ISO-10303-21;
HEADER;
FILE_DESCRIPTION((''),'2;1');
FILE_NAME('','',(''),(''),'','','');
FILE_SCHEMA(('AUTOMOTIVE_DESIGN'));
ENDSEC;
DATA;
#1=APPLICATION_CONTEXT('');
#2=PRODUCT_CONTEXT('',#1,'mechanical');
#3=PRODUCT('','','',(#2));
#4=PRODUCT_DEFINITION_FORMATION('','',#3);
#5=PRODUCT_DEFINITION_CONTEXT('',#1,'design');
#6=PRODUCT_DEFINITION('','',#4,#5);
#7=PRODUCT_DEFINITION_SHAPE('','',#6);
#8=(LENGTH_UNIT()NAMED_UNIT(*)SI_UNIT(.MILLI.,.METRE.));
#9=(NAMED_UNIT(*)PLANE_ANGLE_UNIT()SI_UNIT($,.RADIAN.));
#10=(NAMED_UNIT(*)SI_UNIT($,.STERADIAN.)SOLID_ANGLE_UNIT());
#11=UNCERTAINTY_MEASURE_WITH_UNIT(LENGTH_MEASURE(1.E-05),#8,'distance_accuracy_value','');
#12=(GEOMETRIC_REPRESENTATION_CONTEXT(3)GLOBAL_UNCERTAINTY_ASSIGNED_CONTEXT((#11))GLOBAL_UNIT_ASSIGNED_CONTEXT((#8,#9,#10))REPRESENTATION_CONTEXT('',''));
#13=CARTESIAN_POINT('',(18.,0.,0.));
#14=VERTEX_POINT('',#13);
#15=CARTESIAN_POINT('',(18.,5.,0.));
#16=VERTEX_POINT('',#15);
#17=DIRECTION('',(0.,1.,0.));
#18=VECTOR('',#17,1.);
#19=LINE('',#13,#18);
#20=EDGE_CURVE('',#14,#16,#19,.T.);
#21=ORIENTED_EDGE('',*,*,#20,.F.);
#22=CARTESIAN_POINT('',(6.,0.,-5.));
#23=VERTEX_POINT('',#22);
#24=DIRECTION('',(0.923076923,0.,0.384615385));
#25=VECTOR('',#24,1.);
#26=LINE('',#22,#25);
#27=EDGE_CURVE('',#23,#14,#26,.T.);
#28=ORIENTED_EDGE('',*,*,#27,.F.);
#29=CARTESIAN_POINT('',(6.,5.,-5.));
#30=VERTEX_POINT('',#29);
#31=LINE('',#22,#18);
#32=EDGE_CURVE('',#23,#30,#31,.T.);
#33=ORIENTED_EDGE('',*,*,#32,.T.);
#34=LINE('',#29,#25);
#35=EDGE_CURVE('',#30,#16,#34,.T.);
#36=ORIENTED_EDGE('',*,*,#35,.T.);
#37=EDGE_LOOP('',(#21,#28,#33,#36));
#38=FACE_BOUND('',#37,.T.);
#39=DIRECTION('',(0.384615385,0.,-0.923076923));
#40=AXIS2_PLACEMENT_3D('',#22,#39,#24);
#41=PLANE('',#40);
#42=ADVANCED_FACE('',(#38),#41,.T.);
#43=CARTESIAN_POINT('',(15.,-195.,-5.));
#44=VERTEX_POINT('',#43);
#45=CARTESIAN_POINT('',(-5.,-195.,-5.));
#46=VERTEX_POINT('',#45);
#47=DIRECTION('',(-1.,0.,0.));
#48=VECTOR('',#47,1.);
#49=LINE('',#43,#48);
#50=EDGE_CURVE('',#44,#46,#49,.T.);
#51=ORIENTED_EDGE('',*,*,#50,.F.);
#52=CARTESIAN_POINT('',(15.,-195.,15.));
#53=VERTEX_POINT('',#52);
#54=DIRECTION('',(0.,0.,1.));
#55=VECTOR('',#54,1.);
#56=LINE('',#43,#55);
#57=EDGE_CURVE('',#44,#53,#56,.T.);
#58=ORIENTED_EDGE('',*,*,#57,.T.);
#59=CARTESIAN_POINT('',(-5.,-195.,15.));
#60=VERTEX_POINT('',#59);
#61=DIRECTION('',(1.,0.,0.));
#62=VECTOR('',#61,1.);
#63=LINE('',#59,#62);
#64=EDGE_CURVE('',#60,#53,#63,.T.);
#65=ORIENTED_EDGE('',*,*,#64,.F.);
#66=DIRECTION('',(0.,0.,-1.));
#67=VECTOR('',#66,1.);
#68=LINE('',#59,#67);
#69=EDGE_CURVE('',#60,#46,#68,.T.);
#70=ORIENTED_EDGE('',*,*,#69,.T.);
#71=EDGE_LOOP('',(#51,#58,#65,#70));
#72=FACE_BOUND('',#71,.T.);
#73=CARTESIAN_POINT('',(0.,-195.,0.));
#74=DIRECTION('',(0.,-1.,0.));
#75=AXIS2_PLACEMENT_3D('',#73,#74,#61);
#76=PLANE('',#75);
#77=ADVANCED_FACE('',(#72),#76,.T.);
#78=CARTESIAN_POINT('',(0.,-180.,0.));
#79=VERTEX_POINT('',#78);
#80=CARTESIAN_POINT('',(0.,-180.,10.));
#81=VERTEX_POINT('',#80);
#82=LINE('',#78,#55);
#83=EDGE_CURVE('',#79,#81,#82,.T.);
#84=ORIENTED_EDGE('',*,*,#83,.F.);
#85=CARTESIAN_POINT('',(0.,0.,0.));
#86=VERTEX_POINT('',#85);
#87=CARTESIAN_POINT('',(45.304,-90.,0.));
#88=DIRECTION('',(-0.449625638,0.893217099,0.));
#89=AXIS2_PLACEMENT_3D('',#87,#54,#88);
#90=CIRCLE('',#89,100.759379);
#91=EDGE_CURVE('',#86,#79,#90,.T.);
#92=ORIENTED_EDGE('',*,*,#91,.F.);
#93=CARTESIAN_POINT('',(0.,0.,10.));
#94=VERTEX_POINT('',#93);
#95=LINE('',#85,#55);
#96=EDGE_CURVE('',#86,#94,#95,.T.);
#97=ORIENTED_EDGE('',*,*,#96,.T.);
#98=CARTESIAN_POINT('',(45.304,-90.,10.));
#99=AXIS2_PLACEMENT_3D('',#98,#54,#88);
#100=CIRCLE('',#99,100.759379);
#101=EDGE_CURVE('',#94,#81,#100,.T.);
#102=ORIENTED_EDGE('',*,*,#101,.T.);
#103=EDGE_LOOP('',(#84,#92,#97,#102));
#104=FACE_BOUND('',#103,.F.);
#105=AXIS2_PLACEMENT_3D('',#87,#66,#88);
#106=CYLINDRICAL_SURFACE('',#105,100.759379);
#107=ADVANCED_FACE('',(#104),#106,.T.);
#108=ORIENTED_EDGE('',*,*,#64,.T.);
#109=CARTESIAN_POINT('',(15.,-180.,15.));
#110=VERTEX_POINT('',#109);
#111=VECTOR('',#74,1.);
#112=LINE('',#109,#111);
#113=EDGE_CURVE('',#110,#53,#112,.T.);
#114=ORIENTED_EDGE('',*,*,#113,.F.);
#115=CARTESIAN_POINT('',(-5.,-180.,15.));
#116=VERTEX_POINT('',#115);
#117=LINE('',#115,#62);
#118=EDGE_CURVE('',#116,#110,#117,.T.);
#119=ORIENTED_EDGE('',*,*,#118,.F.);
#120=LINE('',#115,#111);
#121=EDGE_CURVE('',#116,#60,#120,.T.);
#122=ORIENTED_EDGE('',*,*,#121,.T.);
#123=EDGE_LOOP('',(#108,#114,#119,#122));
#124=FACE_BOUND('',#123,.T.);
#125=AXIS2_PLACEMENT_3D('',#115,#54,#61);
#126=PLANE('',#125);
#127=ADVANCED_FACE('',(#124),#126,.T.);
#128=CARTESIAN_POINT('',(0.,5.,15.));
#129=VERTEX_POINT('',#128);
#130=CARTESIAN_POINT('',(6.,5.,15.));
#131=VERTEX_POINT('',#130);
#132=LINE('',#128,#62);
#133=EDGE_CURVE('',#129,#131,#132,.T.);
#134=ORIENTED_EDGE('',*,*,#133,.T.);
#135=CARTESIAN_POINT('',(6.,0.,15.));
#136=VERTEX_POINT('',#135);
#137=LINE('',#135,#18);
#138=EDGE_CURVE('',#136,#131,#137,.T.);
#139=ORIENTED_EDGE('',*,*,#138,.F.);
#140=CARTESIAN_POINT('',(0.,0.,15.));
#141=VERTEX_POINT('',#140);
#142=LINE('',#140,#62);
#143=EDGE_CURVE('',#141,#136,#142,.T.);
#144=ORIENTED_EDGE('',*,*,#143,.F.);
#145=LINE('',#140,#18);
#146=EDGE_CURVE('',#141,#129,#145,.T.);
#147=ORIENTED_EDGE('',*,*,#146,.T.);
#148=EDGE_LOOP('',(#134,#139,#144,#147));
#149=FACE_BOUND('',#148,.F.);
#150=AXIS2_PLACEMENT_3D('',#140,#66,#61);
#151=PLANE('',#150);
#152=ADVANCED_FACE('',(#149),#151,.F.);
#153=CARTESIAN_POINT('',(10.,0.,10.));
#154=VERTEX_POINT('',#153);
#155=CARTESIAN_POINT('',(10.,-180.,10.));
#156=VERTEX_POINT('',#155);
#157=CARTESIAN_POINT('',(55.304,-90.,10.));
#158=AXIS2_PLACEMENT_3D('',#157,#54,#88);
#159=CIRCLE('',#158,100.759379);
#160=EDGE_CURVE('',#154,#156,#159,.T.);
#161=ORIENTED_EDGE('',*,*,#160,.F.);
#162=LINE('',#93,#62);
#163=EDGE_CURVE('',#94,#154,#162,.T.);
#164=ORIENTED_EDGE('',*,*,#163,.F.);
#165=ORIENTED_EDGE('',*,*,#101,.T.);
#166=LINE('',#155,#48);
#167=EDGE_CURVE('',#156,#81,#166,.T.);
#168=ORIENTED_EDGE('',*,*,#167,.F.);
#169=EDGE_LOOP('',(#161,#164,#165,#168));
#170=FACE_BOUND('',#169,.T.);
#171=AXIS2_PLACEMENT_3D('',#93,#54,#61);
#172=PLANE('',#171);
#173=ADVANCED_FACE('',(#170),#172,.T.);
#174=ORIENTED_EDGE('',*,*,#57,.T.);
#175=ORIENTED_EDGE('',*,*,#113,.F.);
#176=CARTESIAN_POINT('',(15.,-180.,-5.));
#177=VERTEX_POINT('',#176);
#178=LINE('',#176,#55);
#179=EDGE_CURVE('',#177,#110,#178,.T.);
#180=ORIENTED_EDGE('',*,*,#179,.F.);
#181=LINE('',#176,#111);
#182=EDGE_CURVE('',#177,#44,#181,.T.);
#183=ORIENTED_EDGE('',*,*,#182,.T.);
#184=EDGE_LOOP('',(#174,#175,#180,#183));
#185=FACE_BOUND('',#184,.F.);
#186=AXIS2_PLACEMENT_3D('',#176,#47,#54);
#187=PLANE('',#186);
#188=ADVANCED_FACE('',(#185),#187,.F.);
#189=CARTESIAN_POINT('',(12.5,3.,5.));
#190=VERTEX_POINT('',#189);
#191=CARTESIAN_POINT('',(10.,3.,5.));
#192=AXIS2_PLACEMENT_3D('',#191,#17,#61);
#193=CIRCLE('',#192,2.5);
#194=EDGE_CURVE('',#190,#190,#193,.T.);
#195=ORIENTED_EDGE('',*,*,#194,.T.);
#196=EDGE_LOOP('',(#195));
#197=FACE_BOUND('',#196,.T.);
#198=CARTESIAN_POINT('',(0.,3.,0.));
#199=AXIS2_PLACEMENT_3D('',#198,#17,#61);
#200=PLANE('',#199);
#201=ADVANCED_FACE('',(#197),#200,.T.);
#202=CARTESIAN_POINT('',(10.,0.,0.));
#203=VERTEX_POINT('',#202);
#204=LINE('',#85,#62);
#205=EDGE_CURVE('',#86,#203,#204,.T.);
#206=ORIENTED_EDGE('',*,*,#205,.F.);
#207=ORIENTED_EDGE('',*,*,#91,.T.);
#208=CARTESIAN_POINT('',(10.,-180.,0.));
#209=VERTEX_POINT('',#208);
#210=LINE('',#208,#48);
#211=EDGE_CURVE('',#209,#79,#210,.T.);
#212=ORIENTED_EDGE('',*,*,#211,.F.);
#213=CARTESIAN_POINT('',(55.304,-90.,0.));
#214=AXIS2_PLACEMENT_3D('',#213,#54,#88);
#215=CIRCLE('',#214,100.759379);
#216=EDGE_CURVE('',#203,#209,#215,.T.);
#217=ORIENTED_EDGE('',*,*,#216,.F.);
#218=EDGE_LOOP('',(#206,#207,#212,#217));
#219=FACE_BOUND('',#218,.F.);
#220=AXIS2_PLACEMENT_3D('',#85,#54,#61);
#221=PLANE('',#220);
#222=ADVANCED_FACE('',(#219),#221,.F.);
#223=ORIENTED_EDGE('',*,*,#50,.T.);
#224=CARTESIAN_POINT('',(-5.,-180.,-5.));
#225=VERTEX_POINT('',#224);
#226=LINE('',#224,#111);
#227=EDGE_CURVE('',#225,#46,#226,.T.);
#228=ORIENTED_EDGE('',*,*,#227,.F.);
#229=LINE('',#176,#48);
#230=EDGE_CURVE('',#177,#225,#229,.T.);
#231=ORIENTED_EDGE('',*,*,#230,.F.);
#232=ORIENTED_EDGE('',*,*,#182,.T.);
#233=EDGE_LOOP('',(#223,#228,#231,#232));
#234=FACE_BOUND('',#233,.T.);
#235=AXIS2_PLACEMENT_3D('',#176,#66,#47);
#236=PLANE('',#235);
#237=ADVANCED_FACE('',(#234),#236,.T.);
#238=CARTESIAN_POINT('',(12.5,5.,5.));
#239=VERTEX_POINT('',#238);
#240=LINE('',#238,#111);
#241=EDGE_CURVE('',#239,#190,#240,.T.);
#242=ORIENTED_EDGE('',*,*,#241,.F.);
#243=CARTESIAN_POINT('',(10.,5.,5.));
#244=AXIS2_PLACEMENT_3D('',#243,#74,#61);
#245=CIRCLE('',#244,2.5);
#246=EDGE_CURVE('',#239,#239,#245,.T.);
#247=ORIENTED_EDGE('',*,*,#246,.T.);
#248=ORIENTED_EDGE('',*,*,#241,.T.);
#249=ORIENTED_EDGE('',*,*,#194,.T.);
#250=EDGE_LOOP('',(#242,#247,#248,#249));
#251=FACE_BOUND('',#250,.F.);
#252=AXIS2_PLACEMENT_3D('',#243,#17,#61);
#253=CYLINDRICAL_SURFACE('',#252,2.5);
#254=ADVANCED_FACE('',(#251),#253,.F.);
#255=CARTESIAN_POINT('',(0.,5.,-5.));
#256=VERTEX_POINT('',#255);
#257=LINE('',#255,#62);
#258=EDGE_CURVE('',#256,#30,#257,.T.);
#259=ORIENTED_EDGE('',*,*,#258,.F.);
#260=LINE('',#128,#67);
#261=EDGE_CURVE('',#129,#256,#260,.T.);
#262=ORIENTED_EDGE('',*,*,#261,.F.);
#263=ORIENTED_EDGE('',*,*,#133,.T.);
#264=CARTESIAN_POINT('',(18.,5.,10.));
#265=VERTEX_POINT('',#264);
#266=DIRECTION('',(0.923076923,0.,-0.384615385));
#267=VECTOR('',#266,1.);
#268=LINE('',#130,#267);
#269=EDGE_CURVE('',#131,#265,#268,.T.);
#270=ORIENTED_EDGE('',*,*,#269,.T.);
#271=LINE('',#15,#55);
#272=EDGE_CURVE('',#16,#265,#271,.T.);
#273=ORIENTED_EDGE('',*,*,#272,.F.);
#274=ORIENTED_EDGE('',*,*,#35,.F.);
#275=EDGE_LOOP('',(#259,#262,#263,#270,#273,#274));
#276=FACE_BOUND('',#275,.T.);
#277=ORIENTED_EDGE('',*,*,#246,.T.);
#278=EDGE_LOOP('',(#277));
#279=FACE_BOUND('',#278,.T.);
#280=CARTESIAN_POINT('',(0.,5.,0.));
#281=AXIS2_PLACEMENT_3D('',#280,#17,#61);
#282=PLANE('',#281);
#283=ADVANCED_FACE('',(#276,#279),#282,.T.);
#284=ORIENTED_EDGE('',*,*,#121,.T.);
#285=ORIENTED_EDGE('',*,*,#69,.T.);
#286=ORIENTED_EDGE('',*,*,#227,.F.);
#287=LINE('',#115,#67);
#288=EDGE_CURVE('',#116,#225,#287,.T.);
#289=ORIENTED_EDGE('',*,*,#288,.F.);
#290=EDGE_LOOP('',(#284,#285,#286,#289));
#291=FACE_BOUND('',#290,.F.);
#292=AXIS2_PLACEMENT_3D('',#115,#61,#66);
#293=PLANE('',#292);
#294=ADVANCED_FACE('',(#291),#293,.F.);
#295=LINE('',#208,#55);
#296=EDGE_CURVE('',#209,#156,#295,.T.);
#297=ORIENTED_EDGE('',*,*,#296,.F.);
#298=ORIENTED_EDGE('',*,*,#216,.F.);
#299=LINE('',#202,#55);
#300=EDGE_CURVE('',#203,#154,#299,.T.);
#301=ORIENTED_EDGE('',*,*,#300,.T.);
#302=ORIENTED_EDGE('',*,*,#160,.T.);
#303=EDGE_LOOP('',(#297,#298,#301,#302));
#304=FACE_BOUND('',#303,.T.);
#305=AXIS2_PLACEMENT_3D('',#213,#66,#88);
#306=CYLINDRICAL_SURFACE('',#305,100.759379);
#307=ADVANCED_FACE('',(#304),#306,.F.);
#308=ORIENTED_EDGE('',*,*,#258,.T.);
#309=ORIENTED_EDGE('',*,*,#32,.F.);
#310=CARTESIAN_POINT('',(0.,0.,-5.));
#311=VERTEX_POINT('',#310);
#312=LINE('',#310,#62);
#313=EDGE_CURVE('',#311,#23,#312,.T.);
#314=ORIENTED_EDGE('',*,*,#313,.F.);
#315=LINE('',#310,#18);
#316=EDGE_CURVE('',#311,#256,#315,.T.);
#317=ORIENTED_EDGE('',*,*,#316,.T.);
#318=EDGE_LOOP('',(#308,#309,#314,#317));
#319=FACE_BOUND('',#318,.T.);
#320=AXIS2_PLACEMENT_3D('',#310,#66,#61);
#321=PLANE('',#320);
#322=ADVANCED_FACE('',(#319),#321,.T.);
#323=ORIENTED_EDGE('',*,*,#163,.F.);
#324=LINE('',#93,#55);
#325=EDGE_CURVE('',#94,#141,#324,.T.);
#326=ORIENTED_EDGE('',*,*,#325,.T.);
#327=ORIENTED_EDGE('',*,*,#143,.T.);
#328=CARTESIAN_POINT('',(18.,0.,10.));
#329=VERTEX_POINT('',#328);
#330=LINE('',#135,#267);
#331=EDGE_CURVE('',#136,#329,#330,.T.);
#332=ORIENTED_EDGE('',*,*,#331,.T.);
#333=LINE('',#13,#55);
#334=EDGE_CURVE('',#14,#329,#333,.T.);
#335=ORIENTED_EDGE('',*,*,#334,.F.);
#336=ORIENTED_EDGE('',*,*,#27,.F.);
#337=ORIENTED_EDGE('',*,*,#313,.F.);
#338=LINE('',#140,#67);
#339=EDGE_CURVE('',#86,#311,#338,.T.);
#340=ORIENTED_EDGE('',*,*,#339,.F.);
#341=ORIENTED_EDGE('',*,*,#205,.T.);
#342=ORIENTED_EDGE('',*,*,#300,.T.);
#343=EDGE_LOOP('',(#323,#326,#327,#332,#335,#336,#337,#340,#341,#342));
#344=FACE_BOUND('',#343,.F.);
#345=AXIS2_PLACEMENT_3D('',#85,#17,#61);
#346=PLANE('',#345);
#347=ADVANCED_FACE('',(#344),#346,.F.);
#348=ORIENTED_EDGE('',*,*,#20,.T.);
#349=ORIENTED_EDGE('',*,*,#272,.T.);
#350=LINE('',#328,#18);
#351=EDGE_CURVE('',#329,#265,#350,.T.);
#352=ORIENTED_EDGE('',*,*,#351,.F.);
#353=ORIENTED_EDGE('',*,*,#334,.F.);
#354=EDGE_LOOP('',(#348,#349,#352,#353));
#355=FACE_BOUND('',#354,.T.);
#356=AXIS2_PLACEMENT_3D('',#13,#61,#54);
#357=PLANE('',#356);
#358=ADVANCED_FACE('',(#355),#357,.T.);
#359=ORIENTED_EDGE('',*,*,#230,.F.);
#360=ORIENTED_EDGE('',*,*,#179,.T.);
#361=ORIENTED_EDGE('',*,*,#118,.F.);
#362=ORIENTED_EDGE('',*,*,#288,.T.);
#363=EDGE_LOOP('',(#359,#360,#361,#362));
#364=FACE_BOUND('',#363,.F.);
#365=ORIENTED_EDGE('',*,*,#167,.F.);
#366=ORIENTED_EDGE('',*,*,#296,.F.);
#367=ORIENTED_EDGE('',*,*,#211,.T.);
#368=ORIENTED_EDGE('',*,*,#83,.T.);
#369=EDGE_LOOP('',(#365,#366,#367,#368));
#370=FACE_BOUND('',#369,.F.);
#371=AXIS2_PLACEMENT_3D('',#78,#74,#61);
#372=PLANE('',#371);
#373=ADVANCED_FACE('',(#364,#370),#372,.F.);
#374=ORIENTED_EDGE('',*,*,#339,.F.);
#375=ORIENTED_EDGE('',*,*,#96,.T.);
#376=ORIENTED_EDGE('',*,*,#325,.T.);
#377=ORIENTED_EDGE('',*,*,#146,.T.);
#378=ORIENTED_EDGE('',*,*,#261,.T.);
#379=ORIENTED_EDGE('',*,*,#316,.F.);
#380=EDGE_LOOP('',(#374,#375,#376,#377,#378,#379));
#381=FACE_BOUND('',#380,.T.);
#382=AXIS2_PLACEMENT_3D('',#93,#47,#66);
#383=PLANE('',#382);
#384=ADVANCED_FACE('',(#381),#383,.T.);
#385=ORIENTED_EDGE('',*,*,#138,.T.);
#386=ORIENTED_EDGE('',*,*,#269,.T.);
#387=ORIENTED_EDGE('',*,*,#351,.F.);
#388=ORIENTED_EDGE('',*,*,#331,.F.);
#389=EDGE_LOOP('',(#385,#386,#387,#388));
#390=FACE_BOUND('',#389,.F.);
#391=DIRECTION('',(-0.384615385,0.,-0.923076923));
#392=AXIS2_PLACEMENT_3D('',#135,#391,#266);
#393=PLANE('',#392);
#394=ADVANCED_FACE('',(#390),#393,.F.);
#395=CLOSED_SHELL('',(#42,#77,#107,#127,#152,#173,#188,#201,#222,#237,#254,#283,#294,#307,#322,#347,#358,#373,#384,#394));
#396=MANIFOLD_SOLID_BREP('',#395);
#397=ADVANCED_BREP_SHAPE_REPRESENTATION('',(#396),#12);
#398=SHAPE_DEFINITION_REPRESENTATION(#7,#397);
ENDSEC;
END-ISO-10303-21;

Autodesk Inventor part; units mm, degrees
ref_plane "YZ Plane" through (0, 0, 0) normal (1, 0, 0) x (0, 1, 0)
ref_plane "XZ Plane" through (0, 0, 0) normal (0, 1, 0) x (-1, 0, 0)
ref_plane "XY Plane" through (0, 0, 0) normal (0, 0, 1) x (1, 0, 0)
sketch "Sketch1" plane through (0, 0, 0) normal (0, 0, 1) x (1, 0, 0)
  arc A0 (0, 0) -> (0, -180) centre (45.304, -90) ccw
  line L0 (-55.4554, -90) -> (-45.4554, -90) construction
  line L1 (0, -180) -> (0, -170) construction
  line L2 (0, 0) -> (0, -10) construction
  line L3 (0, -180) -> (10, -180) construction
  line L4 (0, 0) -> (10, 0) construction
  arc A1 (10, 0) -> (10, -180) centre (55.304, -90) ccw
  line L5 (0, 0) -> (10, 0)
  line L6 (10, -180) -> (0, -180)
  dimension "d0" = 180
  dimension "d1" = 10
  dimension "d2" = 10
  dimension "d3" = 10
  dimension "d4" = 10
  dimension "d5" = 10
extrude "Extrusion1" add sketch "Sketch1" along normal blind 10
sketch "Sketch2" plane through (0, 0, 0) normal (0, 1, 0) x (1, 0, 0)
  line L0 (-55.4554, -10) -> (0, -10) projected
  line L1 (0, -10) -> (0, -15)
  line L2 (0, -15) -> (0, 5)
  line L3 (0, 5) -> (6, 5)
  line L4 (0, -15) -> (6, -15)
  line L5 (6, -15) -> (18, -10)
  line L6 (6, 5) -> (18, 0)
  line L7 (18, 0) -> (18, -10)
  point P0 (0, 0)
  dimension "d8" = 5
  dimension "d9" = 20
  dimension "d10" = 6
  dimension "d11" = 13
extrude "Extrusion2" add sketch "Sketch2" along normal blind 5
sketch "Sketch3" plane through (0, -180, 0) normal (0, -1, 0) x (1, 0, 0)
  line L0 (0, -5) -> (0, 15) construction
  line L1 (0, 5) -> (-5, 5) construction
  line L2 (-5, 5) -> (0, 5) construction
  line L3 (0, 5) -> (-5, 5) construction
  line L4 (-5, 5) -> (-5, 15) construction
  line L5 (-5, 15) -> (15, 15) construction
  line L6 (15, 15) -> (15, -5) construction
  line L7 (15, -5) -> (-5, -5) construction
  line L8 (-5, -5) -> (-5, 5) construction
  line L9 (-5, 15) -> (15, 15)
  line L10 (15, -5) -> (-5, -5)
  line L11 (-5, 15) -> (-5, -5)
  line L12 (15, -5) -> (15, 15)
  point P0 (0, 0)
  dimension "d14" = 5
  dimension "d15" = 20
  dimension "d16" = 20
extrude "Extrusion3" add sketch "Sketch3" along normal blind 15
sketch "Sketch4" plane through (0, 5, 0) normal (0, 1, 0) x (1, 0, 0)
  line L0 (10, 0) -> (10, -10) projected
  circle A0 centre (10, -5) radius 2.5
  point P0 (0, 0)
  dimension "d19" = 5
extrude "Extrusion4" cut sketch "Sketch4" against normal blind 2
properties part number "kakidrone"
